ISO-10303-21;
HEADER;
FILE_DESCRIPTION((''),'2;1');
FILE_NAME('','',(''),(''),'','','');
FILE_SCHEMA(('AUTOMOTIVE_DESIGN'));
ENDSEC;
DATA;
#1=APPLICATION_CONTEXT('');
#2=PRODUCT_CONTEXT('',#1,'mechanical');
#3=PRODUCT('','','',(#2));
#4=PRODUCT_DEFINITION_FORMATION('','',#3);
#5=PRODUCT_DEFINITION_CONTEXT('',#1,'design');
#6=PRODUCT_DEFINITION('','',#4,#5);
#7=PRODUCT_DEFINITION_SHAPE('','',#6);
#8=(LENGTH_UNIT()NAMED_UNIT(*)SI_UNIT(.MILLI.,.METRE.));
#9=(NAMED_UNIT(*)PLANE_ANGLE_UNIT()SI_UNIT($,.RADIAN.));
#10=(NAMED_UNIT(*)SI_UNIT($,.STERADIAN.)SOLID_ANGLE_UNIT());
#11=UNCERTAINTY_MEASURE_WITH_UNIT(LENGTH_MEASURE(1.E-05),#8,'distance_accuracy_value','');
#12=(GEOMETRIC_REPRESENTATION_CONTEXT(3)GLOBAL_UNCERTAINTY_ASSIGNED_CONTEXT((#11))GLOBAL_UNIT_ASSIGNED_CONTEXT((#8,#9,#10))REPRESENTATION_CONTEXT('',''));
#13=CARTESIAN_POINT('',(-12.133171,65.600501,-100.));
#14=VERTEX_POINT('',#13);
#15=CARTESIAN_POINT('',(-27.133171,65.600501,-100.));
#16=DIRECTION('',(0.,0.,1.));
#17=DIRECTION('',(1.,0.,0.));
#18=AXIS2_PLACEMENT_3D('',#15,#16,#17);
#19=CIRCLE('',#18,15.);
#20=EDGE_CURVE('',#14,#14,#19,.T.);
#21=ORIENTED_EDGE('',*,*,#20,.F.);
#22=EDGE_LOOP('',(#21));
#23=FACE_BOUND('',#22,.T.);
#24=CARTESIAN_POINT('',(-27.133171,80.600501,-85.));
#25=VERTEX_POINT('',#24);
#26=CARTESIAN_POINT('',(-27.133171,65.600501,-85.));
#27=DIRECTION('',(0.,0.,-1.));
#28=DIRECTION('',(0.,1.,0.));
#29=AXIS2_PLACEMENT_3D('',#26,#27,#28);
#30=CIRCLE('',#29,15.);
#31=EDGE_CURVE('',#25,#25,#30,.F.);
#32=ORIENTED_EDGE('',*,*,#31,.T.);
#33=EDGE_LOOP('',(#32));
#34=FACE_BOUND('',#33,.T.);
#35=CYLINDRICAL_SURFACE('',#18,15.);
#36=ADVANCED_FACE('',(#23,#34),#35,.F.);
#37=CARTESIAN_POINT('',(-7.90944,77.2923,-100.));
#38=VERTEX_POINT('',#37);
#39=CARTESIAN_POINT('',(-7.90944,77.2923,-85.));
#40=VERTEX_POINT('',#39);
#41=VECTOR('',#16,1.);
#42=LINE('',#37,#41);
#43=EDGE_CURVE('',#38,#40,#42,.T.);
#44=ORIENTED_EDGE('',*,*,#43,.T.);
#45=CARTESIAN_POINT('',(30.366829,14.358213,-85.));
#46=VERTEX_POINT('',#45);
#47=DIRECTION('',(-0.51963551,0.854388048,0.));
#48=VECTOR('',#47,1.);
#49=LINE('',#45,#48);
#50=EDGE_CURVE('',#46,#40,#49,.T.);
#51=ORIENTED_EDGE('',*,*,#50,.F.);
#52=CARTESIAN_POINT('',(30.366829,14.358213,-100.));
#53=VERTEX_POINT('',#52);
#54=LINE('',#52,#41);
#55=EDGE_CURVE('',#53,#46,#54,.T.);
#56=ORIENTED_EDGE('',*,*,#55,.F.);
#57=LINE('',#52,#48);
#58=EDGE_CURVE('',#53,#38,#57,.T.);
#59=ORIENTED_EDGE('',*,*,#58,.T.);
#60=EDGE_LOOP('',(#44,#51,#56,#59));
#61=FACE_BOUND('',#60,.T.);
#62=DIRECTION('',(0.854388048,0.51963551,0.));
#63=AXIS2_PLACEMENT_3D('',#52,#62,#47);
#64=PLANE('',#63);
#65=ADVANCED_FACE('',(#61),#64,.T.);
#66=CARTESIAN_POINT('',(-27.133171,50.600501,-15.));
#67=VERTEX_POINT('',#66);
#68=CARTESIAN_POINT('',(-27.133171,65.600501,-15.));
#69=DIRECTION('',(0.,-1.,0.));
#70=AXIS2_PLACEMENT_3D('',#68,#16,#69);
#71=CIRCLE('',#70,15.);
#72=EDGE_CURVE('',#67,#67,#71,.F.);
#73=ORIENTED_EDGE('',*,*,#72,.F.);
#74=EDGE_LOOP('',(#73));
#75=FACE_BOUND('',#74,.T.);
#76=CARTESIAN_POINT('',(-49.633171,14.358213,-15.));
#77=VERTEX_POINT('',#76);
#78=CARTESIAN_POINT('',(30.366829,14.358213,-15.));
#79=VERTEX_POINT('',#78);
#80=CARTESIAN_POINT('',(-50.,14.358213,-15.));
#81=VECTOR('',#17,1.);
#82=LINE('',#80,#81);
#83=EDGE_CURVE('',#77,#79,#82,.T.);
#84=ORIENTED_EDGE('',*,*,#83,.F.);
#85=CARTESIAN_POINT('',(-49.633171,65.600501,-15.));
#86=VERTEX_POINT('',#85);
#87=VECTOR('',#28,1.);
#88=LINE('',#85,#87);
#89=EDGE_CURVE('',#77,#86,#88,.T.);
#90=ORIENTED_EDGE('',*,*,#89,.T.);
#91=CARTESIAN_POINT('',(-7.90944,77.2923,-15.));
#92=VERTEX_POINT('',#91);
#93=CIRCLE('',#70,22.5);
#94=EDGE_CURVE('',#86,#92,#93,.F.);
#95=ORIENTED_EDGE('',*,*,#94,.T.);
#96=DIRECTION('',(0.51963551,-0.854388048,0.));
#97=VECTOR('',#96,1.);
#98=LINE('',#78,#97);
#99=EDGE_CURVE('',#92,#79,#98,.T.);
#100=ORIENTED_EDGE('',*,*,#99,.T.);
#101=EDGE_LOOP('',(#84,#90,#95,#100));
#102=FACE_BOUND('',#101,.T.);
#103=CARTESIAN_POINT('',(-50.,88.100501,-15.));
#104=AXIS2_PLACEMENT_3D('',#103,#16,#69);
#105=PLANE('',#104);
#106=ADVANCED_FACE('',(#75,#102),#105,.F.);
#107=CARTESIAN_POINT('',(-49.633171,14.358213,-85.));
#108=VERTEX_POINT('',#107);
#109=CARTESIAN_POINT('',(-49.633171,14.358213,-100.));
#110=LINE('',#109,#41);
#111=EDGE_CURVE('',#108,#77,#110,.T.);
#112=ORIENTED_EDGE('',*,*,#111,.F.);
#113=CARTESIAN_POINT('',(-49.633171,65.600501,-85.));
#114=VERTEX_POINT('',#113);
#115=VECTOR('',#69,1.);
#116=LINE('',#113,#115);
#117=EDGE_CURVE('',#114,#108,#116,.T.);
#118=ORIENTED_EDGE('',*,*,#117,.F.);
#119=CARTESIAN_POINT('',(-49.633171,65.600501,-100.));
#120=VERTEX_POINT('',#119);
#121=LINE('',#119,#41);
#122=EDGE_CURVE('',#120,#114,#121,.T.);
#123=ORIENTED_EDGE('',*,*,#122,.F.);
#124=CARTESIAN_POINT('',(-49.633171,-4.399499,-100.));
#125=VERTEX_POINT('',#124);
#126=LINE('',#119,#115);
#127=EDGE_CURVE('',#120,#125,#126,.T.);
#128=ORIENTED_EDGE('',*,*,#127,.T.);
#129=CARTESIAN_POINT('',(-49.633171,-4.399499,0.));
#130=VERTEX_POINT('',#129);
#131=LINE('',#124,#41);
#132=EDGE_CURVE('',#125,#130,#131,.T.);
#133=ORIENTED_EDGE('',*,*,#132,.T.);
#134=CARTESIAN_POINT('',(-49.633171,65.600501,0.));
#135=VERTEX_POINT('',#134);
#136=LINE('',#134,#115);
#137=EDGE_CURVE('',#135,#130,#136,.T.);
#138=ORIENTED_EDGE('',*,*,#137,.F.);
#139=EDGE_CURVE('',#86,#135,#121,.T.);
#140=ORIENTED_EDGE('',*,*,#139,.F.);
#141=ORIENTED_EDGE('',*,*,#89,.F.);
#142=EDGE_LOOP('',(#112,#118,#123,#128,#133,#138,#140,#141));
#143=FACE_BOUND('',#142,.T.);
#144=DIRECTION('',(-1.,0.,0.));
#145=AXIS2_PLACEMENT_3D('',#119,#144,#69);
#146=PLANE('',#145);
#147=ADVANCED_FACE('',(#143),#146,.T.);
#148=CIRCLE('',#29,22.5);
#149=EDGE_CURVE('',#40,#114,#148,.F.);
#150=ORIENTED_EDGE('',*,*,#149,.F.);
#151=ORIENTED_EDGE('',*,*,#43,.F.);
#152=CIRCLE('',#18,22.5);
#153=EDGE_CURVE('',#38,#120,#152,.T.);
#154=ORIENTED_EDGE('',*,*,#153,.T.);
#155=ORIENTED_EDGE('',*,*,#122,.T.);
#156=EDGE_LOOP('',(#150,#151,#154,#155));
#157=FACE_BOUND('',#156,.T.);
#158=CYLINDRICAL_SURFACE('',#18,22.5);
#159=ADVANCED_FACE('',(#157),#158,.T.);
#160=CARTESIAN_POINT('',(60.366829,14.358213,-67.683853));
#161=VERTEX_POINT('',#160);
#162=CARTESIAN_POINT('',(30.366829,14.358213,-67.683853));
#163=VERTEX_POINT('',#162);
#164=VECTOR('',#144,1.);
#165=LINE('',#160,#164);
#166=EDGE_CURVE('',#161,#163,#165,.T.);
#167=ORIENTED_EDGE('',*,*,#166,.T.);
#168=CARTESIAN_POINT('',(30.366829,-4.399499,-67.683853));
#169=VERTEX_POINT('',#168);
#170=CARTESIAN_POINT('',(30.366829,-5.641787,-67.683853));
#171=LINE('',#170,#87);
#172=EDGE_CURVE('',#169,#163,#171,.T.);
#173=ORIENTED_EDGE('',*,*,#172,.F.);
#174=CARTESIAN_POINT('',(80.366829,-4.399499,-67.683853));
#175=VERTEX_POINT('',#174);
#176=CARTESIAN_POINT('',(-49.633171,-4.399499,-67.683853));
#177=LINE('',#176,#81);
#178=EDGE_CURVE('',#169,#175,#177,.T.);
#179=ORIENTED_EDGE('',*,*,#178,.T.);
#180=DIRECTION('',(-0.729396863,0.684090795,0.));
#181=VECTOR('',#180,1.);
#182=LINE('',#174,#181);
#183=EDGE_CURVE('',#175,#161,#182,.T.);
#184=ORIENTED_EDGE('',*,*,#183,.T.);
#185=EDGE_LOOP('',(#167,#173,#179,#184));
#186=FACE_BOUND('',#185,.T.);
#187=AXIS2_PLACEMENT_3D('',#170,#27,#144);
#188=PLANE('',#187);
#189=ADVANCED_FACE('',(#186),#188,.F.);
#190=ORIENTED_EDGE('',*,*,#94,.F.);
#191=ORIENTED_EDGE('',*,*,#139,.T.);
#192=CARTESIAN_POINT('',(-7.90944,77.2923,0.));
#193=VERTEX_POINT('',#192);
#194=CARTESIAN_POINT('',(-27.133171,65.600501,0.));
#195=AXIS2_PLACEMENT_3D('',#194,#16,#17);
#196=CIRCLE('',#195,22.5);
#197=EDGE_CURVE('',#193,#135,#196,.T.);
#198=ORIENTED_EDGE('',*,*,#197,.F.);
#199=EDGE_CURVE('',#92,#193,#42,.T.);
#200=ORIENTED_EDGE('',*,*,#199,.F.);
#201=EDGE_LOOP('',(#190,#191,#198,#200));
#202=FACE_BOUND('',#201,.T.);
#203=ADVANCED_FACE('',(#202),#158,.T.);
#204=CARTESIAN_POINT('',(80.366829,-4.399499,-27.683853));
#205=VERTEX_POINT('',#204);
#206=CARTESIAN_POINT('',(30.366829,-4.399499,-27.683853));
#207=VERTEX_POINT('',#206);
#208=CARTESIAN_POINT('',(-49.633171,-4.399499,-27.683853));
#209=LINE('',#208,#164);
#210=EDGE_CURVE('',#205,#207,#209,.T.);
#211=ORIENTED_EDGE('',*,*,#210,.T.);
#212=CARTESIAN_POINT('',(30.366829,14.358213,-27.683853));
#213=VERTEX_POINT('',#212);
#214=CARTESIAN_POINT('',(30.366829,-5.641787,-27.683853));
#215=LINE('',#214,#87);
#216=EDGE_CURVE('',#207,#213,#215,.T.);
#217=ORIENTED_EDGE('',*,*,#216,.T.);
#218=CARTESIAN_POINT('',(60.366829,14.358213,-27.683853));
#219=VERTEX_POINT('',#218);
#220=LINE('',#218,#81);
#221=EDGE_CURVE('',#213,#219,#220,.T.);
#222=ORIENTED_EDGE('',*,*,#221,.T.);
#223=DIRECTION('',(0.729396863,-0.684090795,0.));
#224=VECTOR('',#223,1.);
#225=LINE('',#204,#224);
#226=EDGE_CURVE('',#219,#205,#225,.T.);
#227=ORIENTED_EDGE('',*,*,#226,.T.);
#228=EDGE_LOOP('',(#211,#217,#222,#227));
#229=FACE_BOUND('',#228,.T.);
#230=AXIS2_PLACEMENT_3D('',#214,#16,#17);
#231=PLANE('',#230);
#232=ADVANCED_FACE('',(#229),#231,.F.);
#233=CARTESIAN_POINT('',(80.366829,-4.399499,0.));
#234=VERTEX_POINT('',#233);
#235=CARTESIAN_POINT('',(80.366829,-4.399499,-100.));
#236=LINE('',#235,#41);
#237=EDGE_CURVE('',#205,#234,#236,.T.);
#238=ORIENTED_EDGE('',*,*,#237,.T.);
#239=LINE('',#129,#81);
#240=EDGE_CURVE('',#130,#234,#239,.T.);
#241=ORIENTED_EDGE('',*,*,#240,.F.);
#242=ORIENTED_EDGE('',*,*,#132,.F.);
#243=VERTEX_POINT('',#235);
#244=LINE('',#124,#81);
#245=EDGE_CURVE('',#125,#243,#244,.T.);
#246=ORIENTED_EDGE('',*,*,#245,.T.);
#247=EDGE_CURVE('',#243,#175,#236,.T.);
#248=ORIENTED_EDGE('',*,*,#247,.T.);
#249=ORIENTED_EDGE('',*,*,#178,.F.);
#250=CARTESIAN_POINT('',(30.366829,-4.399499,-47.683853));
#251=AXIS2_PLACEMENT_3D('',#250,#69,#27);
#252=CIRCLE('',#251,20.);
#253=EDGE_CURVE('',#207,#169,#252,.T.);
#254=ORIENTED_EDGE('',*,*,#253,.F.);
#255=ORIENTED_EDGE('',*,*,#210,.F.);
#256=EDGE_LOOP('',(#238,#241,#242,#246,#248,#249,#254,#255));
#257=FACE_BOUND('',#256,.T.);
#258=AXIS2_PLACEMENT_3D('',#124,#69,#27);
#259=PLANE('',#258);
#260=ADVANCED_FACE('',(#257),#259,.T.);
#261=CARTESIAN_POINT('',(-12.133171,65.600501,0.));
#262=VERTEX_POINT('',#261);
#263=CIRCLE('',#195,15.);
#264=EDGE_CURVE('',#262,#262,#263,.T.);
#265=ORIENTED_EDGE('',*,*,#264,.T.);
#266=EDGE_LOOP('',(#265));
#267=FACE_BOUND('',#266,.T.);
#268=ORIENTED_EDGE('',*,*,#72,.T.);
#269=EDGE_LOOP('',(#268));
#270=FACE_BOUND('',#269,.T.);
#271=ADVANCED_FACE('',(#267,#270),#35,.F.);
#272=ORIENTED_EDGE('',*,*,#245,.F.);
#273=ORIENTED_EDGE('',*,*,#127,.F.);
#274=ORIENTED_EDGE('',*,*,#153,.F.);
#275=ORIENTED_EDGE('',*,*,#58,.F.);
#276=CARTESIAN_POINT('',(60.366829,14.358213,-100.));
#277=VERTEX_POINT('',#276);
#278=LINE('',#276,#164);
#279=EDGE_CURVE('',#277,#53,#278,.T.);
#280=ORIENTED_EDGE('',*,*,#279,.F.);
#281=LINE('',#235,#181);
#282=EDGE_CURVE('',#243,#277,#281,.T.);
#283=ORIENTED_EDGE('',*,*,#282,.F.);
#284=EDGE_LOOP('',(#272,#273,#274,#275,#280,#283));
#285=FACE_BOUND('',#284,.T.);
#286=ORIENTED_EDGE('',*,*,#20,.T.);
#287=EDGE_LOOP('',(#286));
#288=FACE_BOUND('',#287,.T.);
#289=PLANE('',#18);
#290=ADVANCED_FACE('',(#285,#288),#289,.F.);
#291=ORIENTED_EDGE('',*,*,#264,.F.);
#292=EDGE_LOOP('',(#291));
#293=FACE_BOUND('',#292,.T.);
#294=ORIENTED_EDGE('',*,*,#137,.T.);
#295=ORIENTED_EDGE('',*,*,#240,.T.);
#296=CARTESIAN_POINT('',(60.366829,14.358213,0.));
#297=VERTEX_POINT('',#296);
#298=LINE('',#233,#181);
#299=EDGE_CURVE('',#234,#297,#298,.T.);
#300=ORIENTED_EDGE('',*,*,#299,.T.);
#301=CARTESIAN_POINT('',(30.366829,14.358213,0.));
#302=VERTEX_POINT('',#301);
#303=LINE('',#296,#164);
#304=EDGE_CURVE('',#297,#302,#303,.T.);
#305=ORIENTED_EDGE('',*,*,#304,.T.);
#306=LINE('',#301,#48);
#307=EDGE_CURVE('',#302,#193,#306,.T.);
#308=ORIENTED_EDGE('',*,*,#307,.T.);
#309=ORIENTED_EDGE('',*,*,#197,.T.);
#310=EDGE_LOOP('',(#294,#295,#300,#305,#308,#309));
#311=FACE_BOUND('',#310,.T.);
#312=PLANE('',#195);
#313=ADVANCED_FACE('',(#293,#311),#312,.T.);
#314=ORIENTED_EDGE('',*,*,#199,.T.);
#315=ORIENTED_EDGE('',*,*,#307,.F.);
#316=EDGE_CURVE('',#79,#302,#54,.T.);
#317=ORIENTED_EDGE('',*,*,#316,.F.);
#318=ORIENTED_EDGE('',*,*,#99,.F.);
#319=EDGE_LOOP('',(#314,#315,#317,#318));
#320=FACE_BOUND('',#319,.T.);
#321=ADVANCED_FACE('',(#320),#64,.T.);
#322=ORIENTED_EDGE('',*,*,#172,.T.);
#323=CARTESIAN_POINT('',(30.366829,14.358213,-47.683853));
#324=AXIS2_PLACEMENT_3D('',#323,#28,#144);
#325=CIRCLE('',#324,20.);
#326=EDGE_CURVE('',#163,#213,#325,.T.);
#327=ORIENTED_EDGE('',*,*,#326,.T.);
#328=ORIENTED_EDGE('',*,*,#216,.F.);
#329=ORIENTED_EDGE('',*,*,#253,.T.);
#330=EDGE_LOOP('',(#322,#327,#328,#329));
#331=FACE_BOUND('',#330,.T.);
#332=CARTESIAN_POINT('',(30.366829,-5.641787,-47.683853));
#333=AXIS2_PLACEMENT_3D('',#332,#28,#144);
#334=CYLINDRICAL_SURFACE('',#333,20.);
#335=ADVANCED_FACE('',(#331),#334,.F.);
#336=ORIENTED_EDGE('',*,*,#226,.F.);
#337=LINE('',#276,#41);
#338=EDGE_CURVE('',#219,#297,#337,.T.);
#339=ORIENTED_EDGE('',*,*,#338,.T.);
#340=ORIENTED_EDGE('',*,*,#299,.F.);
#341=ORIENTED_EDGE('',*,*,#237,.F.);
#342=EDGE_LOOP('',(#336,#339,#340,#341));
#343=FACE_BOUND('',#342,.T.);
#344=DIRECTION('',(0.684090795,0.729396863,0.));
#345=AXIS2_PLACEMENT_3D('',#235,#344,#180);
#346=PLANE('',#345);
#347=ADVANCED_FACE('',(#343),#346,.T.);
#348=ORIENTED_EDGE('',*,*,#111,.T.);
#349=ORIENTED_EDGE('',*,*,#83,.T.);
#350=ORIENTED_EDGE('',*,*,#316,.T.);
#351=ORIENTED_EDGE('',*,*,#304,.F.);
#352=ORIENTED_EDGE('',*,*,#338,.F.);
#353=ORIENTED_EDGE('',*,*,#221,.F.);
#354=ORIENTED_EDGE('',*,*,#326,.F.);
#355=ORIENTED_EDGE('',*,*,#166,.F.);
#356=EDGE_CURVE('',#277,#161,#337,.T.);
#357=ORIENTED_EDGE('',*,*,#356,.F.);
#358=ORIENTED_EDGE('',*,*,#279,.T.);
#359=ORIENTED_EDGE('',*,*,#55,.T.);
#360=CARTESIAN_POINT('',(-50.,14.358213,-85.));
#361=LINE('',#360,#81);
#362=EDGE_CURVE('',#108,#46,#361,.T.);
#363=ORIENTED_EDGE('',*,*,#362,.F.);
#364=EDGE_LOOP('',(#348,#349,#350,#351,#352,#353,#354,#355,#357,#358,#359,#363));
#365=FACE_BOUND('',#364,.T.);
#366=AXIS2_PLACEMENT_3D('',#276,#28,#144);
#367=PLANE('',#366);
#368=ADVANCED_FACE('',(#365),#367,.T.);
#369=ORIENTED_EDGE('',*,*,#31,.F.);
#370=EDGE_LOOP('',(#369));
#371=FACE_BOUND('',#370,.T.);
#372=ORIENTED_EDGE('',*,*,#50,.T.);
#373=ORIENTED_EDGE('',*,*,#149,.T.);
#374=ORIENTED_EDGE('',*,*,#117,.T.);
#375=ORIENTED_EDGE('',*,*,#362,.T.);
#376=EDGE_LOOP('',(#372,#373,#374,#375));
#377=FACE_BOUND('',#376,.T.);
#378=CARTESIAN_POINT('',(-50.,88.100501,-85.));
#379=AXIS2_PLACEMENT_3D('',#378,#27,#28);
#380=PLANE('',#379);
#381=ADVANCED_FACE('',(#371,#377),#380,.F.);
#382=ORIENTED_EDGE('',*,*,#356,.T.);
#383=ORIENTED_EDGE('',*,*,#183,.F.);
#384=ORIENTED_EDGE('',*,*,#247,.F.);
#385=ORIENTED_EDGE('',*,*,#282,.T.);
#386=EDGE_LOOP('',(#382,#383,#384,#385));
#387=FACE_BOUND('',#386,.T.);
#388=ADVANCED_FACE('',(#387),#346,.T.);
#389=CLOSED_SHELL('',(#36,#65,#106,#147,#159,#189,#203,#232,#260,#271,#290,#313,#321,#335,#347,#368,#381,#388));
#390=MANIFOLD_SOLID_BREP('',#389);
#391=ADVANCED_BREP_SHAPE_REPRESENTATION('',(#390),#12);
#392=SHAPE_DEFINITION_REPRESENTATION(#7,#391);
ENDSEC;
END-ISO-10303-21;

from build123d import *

# Parameters (mm, degrees)
SKETCH1_R           = 15
BOSS_EXTRUDE1_DEPTH = 100
SKETCH3_W           = 70
SKETCH3_H           = 73.742288546
CUT_EXTRUDE1_DEPTH  = 50
CUT_EXTRUDE2_DEPTH  = 20


with BuildPart() as part:
    # Sketch1 → Boss-Extrude1 (new body)
    with BuildSketch(Plane.XY):
        with BuildLine():
            Line((-49.633171283, 65.600501081), (-49.633171283, -4.399498919))
            Line((-49.633171283, -4.399498919), (80.366828717, -4.399498919))
            Line((80.366828717, -4.399498919), (60.366828717, 14.358212535))
            Line((60.366828717, 14.358212535), (30.366828717, 14.358212535))
            Line((30.366828717, 14.358212535), (-7.909440204, 77.292300062))
            ThreePointArc((-7.909440204, 77.292300062), (-33.204252353, 87.265956872), (-49.633171283, 65.600501081))
        make_face()
        with Locations((-27.133171283, 65.600501081)):
            Circle(SKETCH1_R, mode=Mode.SUBTRACT)
    extrude(amount=-BOSS_EXTRUDE1_DEPTH)

    # Sketch3 → Cut-Extrude1 (cut, symmetric)
    with BuildSketch(Plane(origin=(0, 0, 0), x_dir=(0, 0, -1), z_dir=(1, 0, 0))):
        with Locations((50, 51.229356808)):
            Rectangle(SKETCH3_W, SKETCH3_H)
    extrude(amount=CUT_EXTRUDE1_DEPTH, both=True, mode=Mode.SUBTRACT)

    # Sketch4 → Cut-Extrude2 (cut, symmetric)
    with BuildSketch(Plane(origin=(0, 14.358212535, 0), x_dir=(1, 0, 0), z_dir=(0, 1, 0))):
        with BuildLine():
            Line((30.366828717, 67.683852826), (82.708182872, 67.683852826))
            Line((82.708182872, 67.683852826), (82.708182872, 27.683852826))
            Line((82.708182872, 27.683852826), (30.366828717, 27.683852826))
            ThreePointArc((30.366828717, 27.683852826), (10.366828717, 47.683852826), (30.366828717, 67.683852826))
        make_face()
    extrude(amount=CUT_EXTRUDE2_DEPTH, both=True, mode=Mode.SUBTRACT)


solid = part.part
